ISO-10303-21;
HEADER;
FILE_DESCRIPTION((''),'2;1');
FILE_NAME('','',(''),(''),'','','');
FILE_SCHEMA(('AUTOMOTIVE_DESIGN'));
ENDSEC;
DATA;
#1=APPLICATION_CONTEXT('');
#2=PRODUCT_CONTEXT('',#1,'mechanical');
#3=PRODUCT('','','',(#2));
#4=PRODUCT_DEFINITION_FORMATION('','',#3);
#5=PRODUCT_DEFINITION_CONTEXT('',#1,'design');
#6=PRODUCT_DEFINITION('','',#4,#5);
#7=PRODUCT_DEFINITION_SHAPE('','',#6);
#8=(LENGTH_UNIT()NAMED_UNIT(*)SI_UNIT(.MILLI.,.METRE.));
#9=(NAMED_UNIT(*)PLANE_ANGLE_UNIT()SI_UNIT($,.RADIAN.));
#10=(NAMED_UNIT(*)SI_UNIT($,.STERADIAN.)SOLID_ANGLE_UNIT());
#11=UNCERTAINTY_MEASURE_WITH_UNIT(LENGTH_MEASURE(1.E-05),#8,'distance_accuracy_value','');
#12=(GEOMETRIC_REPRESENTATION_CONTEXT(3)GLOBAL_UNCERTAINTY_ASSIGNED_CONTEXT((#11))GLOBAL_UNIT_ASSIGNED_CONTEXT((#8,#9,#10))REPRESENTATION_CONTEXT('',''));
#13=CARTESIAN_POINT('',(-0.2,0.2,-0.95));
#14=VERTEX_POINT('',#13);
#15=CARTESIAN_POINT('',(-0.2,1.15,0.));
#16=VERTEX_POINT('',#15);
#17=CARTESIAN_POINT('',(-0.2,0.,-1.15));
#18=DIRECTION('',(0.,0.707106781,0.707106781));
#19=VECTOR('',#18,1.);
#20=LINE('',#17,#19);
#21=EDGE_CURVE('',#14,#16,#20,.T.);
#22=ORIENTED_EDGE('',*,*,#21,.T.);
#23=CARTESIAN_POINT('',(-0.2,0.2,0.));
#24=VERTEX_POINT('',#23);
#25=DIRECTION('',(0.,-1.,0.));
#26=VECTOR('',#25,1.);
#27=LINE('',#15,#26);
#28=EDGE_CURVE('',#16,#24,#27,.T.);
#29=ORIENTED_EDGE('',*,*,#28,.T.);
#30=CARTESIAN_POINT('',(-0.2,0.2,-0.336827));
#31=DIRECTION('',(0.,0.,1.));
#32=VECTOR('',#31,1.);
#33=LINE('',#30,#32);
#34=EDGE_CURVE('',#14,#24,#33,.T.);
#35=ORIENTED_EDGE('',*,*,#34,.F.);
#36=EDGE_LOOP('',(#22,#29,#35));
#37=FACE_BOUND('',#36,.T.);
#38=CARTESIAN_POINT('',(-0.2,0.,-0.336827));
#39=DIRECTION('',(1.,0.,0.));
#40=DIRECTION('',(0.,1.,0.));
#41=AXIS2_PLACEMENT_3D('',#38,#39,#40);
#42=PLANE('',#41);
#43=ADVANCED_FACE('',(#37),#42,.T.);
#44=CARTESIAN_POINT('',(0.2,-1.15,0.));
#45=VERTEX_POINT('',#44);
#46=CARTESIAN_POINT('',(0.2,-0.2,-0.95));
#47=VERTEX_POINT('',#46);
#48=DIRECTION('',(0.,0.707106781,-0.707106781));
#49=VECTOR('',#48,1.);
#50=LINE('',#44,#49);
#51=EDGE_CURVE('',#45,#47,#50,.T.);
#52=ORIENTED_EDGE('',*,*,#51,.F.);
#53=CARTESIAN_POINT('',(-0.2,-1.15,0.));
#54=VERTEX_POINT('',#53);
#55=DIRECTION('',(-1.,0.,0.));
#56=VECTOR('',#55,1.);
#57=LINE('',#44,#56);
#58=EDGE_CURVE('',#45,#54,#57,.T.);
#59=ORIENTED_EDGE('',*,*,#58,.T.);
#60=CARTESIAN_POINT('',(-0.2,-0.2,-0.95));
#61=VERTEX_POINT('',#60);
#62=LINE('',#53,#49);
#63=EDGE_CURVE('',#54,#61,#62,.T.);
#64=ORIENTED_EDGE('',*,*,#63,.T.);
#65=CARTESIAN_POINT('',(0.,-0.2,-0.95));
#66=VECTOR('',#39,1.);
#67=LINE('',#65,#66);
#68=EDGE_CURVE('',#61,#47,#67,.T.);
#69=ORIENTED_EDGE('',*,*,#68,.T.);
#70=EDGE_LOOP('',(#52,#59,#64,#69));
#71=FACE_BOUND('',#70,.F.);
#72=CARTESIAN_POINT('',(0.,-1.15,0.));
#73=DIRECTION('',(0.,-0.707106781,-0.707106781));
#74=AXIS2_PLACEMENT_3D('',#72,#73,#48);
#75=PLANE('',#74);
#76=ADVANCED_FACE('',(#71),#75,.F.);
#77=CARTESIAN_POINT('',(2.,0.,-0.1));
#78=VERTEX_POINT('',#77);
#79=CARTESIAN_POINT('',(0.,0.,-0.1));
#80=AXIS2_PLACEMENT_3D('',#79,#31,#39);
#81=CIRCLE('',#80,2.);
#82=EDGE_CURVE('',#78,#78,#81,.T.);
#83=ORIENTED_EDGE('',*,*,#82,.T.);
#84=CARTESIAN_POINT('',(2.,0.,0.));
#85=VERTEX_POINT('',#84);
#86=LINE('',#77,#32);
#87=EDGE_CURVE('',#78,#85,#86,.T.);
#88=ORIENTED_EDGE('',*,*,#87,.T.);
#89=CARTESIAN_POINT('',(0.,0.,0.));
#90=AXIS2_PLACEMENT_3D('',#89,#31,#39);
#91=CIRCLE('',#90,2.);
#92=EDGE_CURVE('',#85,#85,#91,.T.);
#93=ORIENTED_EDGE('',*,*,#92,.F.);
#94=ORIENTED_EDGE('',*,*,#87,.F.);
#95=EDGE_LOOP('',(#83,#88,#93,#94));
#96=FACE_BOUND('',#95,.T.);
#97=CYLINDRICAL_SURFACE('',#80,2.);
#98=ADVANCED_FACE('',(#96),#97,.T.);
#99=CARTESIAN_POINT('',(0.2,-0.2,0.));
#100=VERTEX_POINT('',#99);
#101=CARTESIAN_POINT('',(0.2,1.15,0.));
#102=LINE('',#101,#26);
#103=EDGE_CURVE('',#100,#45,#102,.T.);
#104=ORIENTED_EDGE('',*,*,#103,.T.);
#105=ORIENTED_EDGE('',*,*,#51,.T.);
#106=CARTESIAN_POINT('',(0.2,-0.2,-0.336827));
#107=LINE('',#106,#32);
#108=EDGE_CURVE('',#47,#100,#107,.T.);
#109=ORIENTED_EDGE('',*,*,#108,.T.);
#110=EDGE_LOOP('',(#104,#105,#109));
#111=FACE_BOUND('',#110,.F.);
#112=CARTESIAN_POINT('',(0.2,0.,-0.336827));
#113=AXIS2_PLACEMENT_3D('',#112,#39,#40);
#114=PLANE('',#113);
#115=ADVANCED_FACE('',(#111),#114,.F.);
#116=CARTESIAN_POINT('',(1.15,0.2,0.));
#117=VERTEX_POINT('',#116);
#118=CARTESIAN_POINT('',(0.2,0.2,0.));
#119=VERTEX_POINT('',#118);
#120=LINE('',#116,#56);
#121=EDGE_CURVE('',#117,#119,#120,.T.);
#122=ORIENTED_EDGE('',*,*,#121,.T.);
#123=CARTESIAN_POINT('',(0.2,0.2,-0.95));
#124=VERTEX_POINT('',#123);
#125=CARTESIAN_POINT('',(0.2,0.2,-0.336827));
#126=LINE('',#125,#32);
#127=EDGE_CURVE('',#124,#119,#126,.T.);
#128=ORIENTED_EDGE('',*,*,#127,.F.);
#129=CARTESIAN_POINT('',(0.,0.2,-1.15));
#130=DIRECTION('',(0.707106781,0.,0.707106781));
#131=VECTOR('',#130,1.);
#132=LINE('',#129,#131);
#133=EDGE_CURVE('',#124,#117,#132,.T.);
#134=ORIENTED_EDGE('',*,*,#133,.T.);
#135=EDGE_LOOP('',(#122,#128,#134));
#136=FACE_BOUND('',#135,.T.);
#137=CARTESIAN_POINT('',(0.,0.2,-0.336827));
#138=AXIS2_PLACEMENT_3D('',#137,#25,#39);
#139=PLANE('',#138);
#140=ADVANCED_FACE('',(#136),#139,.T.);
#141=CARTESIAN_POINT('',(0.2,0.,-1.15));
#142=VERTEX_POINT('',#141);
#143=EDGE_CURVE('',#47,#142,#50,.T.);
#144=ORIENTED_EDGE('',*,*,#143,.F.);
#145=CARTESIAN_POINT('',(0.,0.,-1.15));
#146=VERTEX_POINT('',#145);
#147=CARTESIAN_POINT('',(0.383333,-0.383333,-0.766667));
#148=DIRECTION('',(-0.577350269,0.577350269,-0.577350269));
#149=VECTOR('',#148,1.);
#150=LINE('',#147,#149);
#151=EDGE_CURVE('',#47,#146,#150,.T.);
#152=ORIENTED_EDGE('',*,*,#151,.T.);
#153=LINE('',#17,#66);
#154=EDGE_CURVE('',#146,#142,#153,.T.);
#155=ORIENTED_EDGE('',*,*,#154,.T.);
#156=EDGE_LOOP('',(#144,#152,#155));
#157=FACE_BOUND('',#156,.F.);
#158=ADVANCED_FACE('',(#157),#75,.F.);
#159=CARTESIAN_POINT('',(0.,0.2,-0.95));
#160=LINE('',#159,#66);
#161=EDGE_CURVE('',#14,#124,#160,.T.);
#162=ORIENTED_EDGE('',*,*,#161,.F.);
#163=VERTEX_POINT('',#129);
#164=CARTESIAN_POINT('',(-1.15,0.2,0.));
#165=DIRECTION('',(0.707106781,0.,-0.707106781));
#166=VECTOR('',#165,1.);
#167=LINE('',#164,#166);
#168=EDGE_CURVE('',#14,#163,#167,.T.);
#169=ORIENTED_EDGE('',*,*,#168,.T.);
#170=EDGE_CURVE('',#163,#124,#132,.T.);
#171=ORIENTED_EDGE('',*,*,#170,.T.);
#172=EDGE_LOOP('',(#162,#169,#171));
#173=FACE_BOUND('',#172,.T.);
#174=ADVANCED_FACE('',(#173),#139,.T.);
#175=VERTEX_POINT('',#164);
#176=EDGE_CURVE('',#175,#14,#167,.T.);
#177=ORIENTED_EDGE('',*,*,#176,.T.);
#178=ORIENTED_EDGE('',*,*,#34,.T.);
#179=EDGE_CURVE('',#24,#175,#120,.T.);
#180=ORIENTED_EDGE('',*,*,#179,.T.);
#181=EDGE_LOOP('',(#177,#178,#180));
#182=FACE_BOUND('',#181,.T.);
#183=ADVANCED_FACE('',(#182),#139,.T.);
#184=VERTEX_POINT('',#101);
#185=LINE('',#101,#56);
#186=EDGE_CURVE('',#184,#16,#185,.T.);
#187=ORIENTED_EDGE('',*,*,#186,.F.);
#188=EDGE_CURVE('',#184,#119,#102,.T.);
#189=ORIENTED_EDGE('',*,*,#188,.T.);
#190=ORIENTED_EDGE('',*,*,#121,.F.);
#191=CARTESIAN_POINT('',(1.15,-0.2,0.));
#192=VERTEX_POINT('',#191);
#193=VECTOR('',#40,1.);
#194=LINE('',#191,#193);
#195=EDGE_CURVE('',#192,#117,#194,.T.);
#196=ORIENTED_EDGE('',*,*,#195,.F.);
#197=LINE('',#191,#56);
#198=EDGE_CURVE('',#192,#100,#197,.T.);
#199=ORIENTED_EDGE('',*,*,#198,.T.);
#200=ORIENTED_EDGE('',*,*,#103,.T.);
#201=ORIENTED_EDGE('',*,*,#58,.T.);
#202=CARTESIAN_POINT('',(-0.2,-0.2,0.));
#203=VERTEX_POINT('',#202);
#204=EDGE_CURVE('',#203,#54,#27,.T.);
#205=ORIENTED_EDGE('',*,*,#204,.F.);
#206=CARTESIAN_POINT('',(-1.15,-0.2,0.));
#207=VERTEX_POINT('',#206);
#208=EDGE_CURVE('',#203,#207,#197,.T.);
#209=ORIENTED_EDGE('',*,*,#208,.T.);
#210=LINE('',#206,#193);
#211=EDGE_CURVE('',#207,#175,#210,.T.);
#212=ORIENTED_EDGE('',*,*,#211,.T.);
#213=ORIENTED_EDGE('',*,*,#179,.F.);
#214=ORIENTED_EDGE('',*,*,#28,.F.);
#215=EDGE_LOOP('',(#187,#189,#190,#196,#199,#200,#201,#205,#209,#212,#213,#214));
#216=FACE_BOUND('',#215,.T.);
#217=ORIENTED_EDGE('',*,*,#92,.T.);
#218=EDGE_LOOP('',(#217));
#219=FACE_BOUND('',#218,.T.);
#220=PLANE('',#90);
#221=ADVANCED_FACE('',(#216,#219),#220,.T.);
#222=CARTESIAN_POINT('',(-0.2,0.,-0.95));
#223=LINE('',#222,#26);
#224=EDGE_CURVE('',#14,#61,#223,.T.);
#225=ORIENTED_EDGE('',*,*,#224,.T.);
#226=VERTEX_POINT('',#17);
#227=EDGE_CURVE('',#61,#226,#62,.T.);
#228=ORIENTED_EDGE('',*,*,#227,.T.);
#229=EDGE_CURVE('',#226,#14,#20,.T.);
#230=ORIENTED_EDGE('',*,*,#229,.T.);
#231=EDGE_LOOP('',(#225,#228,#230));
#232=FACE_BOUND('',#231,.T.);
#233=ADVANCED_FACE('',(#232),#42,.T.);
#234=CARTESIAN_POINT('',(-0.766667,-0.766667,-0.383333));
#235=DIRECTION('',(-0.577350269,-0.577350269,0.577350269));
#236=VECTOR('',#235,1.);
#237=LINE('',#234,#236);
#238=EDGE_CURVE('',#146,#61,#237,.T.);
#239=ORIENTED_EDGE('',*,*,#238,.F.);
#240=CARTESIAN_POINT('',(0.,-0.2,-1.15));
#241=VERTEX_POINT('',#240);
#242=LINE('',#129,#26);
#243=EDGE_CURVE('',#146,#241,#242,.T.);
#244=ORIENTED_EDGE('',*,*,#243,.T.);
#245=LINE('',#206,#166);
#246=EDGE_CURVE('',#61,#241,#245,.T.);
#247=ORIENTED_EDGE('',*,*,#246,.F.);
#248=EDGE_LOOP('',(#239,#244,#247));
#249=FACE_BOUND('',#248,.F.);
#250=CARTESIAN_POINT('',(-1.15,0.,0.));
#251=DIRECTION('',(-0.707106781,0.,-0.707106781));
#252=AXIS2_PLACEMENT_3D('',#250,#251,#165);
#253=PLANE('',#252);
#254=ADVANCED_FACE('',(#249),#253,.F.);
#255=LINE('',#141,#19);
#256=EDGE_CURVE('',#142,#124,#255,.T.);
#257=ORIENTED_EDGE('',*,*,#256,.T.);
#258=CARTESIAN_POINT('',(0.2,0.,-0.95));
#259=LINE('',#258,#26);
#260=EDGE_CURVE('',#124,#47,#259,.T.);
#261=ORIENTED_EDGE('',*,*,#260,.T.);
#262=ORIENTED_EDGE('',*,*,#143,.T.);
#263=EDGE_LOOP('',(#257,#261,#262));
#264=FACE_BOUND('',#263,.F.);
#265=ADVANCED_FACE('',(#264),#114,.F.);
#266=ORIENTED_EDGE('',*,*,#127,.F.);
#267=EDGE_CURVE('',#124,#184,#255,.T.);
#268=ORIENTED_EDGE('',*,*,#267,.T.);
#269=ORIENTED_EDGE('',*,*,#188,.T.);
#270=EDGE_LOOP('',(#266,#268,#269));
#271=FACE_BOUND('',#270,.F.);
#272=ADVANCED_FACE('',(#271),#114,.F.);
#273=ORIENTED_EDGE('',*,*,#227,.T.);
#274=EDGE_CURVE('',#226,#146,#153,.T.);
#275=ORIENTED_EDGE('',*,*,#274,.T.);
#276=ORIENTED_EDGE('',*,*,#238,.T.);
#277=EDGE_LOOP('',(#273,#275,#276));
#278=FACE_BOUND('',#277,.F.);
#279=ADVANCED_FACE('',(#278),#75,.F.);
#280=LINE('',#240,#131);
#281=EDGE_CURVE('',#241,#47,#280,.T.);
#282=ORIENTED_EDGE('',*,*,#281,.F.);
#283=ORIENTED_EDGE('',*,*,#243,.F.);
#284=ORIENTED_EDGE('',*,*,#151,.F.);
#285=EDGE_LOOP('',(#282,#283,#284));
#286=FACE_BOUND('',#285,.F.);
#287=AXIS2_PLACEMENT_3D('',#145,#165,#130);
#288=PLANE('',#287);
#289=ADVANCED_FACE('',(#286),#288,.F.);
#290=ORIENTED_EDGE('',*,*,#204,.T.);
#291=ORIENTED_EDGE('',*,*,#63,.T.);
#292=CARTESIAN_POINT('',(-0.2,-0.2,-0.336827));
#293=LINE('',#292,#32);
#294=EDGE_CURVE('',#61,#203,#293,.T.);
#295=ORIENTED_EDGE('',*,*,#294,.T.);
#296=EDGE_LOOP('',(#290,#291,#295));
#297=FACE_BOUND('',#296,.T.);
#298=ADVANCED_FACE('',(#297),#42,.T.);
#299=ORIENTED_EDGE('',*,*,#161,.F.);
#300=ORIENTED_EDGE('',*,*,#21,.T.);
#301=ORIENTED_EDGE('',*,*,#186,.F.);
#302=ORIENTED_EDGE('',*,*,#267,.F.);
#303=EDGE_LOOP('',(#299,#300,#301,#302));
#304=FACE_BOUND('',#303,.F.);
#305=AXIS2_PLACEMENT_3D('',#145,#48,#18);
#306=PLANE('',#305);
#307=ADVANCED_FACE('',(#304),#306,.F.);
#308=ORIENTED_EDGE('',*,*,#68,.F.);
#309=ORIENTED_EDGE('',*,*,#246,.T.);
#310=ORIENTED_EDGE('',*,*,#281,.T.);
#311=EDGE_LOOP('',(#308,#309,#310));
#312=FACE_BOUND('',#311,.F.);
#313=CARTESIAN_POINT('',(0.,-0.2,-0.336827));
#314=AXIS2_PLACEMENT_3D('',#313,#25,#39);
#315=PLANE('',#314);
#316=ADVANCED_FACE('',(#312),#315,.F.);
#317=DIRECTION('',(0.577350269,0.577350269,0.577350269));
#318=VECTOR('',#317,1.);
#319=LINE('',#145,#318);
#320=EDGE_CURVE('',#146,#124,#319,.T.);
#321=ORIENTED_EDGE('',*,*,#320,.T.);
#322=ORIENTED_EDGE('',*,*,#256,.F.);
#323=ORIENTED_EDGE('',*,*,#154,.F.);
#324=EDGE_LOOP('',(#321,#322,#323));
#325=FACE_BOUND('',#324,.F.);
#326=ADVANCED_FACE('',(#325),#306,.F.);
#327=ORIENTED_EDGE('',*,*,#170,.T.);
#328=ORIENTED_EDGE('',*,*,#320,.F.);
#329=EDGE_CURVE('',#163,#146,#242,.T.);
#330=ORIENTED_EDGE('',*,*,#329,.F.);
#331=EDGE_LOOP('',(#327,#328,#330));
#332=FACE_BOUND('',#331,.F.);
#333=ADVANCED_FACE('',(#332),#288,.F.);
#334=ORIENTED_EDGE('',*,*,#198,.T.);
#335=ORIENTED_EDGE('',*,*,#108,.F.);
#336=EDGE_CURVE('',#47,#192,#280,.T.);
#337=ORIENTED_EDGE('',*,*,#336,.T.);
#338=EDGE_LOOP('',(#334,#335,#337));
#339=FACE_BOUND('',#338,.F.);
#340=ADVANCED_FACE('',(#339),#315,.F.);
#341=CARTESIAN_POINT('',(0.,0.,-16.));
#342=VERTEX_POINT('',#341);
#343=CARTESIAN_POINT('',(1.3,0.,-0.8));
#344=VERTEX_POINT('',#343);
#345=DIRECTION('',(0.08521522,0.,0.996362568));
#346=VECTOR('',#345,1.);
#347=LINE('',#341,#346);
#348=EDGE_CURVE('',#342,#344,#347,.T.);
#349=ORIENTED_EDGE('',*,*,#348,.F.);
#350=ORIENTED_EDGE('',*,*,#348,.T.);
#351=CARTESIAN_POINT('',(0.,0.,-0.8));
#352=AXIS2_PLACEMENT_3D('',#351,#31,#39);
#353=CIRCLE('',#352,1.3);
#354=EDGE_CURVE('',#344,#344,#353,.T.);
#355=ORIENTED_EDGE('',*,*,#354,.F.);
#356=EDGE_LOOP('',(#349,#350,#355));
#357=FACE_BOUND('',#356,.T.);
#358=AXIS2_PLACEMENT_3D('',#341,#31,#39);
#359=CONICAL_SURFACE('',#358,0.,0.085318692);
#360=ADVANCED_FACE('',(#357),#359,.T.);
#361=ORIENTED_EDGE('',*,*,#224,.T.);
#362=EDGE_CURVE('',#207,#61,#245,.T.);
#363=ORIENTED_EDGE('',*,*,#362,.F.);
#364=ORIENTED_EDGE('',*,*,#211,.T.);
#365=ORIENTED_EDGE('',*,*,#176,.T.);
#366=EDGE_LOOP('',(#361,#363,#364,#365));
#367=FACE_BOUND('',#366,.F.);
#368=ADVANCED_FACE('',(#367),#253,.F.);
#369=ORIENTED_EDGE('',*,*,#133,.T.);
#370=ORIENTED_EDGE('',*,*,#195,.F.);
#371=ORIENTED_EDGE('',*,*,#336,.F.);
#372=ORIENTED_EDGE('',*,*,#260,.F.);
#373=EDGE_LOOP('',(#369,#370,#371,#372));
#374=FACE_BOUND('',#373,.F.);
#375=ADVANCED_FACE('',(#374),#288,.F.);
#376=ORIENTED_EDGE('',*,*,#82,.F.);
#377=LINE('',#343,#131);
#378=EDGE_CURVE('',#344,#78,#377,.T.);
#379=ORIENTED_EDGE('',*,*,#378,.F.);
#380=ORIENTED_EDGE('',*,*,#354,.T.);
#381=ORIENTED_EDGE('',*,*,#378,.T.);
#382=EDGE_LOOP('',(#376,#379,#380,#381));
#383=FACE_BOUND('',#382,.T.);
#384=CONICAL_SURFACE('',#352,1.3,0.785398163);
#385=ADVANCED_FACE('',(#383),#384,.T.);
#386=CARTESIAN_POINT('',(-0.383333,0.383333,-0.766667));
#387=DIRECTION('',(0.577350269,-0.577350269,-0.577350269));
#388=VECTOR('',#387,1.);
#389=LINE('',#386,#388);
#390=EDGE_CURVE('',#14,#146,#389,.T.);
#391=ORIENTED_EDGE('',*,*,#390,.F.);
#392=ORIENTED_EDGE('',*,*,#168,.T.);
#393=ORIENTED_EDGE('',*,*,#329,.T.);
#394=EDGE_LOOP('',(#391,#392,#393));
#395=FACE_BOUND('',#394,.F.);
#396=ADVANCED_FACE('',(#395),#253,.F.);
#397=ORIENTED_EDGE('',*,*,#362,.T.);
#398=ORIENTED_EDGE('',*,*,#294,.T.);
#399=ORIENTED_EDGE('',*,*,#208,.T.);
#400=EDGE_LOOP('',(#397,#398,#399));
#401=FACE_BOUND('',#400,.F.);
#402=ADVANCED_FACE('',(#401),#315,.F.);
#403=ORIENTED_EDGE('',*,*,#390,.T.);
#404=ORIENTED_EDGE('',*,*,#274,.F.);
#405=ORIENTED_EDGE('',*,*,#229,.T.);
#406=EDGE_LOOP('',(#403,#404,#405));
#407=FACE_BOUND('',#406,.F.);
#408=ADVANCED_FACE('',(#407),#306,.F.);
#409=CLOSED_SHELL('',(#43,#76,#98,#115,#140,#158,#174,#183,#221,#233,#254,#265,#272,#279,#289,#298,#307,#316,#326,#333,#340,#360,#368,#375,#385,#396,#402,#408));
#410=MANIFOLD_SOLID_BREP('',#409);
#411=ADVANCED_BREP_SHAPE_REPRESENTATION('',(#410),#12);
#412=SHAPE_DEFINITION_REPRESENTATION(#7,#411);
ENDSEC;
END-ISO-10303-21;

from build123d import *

# Parameters (mm, degrees)
POCKET_DEPTH       = 0.2
POLARPATTERN_COUNT = 2
POLARPATTERN_ANGLE = 90


with BuildPart() as part:
    # Sketch → Revolution (revolve)
    with BuildSketch(Plane.XZ):
        Polygon((0, 0), (0, -16), (1.3, -0.8), (2, -0.1), (2, 0), align=None)
    revolve(axis=Axis((0, 0, 0), (0, 0, 1)))

    # Sketch001 → Pocket (cut, symmetric)
    with BuildSketch(Plane.XZ):
        Polygon((-1.15, 0), (0, -1.15), (1.15, 0), align=None)
    pocket = extrude(amount=POCKET_DEPTH, both=True, mode=Mode.SUBTRACT)

    # PolarPattern: Pocket ×2 about axis
    polarpattern_axis = Axis((0, 0, 0), (0, 0, 1))
    for i in range(1, POLARPATTERN_COUNT):
        add(pocket.rotate(polarpattern_axis, i * POLARPATTERN_ANGLE / (POLARPATTERN_COUNT - 1)), mode=Mode.SUBTRACT)


solid = part.part
